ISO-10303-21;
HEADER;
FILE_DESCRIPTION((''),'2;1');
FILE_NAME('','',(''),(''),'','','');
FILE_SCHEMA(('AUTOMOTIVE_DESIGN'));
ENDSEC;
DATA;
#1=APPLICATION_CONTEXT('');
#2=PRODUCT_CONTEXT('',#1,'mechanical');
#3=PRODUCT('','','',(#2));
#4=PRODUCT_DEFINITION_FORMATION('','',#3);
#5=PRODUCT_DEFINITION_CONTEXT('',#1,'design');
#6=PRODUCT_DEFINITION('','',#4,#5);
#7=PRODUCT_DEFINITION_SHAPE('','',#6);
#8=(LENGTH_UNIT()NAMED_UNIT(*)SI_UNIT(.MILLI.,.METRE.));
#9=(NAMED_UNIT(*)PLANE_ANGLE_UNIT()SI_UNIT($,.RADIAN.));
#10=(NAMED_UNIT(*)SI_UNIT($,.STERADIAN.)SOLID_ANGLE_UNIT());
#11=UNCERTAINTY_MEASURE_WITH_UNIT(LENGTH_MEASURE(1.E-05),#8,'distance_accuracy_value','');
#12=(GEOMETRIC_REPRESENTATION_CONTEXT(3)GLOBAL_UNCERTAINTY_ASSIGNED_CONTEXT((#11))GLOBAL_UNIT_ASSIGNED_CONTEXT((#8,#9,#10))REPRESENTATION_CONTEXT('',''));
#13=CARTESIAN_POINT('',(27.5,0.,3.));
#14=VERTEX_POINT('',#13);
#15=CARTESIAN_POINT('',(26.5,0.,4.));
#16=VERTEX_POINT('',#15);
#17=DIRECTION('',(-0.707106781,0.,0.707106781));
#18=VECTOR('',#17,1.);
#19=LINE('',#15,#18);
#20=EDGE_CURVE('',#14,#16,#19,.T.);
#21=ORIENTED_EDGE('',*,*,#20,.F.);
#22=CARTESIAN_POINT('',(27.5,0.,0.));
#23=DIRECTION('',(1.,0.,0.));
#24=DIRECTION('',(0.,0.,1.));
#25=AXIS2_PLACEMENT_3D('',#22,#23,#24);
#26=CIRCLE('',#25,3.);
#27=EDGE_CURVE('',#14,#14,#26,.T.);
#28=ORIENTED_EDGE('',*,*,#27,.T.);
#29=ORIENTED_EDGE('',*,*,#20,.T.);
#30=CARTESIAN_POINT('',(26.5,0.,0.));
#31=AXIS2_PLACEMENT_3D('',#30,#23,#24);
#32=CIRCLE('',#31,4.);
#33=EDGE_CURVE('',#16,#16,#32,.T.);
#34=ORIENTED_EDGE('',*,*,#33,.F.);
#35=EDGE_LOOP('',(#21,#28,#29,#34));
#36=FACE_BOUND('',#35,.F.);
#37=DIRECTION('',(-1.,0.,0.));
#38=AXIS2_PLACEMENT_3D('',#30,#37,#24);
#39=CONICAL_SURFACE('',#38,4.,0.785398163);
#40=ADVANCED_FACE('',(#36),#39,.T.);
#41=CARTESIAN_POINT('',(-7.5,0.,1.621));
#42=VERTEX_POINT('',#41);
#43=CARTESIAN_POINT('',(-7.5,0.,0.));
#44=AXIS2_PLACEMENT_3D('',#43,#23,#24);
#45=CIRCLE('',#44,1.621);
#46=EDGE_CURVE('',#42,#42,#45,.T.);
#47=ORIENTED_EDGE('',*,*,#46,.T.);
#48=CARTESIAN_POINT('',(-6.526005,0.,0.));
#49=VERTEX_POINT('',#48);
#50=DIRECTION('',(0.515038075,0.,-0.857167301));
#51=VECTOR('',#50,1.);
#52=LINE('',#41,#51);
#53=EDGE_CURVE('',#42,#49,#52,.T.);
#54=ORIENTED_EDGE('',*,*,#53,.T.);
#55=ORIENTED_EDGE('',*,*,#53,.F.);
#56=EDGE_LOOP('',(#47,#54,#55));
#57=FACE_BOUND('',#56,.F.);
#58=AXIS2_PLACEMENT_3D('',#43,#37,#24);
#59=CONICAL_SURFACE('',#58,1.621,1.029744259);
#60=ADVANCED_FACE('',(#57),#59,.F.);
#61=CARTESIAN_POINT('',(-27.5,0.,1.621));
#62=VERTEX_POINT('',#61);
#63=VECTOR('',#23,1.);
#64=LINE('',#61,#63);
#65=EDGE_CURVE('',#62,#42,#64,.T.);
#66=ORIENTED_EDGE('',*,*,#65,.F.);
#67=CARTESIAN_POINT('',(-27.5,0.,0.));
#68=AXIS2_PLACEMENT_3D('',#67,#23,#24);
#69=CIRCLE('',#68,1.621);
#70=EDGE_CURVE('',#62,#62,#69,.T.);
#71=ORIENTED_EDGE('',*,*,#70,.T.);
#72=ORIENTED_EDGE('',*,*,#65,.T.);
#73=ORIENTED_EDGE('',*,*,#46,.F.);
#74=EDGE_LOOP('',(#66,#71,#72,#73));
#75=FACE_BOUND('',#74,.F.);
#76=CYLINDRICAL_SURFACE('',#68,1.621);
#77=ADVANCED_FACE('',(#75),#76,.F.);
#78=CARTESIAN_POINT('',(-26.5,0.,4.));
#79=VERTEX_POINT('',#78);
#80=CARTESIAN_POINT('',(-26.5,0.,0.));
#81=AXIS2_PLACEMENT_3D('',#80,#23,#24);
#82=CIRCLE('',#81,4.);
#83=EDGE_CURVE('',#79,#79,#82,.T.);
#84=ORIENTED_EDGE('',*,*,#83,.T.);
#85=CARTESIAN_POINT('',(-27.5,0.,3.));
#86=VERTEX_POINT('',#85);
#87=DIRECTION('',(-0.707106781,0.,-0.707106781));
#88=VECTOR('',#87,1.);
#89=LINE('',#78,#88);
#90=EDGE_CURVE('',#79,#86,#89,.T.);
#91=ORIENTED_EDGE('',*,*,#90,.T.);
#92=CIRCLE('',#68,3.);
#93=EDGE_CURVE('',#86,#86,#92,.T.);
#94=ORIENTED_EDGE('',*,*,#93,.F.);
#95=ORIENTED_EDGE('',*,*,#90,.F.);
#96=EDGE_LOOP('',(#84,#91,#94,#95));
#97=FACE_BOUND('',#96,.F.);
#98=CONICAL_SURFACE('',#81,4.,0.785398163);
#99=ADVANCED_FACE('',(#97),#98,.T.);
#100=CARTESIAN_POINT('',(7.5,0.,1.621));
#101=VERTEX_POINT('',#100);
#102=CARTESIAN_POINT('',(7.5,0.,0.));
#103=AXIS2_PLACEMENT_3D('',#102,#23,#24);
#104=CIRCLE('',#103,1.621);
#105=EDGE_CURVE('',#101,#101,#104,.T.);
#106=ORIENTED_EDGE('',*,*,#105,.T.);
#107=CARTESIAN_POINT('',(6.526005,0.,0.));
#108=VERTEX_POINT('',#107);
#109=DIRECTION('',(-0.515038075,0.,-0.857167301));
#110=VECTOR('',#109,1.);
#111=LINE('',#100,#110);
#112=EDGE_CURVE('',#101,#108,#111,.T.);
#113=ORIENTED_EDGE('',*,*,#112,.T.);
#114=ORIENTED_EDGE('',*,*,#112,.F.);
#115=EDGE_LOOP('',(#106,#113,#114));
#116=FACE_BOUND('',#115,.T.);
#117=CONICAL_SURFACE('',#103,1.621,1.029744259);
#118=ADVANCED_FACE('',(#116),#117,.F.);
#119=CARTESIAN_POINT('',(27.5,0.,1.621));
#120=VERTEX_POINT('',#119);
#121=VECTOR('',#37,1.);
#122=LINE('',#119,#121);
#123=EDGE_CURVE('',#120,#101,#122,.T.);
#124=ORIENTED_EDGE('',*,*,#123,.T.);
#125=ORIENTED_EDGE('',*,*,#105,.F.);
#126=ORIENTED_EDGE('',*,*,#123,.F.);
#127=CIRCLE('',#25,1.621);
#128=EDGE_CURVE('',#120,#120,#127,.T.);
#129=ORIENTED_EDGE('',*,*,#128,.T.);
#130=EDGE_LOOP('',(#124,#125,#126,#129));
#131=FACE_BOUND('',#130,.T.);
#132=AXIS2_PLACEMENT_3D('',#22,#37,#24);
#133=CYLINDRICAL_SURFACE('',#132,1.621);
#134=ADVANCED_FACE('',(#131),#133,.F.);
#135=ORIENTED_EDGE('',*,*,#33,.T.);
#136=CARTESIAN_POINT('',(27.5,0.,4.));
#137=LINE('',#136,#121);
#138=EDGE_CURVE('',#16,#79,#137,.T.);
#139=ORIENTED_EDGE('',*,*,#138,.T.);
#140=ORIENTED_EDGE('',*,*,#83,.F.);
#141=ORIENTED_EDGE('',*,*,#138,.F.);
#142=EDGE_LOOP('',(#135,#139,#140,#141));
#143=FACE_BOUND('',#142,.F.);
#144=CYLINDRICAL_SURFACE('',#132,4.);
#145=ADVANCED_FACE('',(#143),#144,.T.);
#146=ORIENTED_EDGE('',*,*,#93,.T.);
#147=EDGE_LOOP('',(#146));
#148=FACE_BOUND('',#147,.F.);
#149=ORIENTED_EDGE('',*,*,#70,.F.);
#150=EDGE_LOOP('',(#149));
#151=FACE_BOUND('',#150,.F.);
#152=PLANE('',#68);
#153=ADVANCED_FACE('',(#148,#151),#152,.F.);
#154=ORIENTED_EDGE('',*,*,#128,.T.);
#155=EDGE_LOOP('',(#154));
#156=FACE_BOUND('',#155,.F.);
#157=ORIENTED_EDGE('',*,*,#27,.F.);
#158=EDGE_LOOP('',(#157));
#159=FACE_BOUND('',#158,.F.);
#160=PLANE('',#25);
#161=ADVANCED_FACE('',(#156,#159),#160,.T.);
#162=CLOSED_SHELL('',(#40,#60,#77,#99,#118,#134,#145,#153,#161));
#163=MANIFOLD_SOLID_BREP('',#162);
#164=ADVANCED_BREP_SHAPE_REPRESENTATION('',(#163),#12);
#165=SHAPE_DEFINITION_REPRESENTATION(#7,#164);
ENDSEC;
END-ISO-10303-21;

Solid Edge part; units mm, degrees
sketch "Sketch1" plane through (0, 0, 0) normal (0, -1, 0) x (1, 0, 0)
  line L0 (27.5, 0) -> (27.5, 4)
  line L1 (27.5, 4) -> (-27.5, 4)
  line L2 (-27.5, 4) -> (-27.5, 0)
  dimension "D1" = 55
revolve "RevolvedProtrusion1" add sketch "Sketch1" angle 360 about axis through (-32.5, 0, 0) along (1, 0, 0)
chamfer "Chamfer1" distance 1 angle 45 2 edges at (27.5, 0, -4) (-27.5, 0, -4)
hole "Hole_1" at (-27.5, 0, 0) direction (1, 0, 0) diameter 3.242 depth 20 tip angle 118 thread major 4 thread length 15
mirror "Mirror1" about plane through (0, 0, 0) normal (1, 0, 0) of "Hole_1"
properties material "AlSi7Mg"
